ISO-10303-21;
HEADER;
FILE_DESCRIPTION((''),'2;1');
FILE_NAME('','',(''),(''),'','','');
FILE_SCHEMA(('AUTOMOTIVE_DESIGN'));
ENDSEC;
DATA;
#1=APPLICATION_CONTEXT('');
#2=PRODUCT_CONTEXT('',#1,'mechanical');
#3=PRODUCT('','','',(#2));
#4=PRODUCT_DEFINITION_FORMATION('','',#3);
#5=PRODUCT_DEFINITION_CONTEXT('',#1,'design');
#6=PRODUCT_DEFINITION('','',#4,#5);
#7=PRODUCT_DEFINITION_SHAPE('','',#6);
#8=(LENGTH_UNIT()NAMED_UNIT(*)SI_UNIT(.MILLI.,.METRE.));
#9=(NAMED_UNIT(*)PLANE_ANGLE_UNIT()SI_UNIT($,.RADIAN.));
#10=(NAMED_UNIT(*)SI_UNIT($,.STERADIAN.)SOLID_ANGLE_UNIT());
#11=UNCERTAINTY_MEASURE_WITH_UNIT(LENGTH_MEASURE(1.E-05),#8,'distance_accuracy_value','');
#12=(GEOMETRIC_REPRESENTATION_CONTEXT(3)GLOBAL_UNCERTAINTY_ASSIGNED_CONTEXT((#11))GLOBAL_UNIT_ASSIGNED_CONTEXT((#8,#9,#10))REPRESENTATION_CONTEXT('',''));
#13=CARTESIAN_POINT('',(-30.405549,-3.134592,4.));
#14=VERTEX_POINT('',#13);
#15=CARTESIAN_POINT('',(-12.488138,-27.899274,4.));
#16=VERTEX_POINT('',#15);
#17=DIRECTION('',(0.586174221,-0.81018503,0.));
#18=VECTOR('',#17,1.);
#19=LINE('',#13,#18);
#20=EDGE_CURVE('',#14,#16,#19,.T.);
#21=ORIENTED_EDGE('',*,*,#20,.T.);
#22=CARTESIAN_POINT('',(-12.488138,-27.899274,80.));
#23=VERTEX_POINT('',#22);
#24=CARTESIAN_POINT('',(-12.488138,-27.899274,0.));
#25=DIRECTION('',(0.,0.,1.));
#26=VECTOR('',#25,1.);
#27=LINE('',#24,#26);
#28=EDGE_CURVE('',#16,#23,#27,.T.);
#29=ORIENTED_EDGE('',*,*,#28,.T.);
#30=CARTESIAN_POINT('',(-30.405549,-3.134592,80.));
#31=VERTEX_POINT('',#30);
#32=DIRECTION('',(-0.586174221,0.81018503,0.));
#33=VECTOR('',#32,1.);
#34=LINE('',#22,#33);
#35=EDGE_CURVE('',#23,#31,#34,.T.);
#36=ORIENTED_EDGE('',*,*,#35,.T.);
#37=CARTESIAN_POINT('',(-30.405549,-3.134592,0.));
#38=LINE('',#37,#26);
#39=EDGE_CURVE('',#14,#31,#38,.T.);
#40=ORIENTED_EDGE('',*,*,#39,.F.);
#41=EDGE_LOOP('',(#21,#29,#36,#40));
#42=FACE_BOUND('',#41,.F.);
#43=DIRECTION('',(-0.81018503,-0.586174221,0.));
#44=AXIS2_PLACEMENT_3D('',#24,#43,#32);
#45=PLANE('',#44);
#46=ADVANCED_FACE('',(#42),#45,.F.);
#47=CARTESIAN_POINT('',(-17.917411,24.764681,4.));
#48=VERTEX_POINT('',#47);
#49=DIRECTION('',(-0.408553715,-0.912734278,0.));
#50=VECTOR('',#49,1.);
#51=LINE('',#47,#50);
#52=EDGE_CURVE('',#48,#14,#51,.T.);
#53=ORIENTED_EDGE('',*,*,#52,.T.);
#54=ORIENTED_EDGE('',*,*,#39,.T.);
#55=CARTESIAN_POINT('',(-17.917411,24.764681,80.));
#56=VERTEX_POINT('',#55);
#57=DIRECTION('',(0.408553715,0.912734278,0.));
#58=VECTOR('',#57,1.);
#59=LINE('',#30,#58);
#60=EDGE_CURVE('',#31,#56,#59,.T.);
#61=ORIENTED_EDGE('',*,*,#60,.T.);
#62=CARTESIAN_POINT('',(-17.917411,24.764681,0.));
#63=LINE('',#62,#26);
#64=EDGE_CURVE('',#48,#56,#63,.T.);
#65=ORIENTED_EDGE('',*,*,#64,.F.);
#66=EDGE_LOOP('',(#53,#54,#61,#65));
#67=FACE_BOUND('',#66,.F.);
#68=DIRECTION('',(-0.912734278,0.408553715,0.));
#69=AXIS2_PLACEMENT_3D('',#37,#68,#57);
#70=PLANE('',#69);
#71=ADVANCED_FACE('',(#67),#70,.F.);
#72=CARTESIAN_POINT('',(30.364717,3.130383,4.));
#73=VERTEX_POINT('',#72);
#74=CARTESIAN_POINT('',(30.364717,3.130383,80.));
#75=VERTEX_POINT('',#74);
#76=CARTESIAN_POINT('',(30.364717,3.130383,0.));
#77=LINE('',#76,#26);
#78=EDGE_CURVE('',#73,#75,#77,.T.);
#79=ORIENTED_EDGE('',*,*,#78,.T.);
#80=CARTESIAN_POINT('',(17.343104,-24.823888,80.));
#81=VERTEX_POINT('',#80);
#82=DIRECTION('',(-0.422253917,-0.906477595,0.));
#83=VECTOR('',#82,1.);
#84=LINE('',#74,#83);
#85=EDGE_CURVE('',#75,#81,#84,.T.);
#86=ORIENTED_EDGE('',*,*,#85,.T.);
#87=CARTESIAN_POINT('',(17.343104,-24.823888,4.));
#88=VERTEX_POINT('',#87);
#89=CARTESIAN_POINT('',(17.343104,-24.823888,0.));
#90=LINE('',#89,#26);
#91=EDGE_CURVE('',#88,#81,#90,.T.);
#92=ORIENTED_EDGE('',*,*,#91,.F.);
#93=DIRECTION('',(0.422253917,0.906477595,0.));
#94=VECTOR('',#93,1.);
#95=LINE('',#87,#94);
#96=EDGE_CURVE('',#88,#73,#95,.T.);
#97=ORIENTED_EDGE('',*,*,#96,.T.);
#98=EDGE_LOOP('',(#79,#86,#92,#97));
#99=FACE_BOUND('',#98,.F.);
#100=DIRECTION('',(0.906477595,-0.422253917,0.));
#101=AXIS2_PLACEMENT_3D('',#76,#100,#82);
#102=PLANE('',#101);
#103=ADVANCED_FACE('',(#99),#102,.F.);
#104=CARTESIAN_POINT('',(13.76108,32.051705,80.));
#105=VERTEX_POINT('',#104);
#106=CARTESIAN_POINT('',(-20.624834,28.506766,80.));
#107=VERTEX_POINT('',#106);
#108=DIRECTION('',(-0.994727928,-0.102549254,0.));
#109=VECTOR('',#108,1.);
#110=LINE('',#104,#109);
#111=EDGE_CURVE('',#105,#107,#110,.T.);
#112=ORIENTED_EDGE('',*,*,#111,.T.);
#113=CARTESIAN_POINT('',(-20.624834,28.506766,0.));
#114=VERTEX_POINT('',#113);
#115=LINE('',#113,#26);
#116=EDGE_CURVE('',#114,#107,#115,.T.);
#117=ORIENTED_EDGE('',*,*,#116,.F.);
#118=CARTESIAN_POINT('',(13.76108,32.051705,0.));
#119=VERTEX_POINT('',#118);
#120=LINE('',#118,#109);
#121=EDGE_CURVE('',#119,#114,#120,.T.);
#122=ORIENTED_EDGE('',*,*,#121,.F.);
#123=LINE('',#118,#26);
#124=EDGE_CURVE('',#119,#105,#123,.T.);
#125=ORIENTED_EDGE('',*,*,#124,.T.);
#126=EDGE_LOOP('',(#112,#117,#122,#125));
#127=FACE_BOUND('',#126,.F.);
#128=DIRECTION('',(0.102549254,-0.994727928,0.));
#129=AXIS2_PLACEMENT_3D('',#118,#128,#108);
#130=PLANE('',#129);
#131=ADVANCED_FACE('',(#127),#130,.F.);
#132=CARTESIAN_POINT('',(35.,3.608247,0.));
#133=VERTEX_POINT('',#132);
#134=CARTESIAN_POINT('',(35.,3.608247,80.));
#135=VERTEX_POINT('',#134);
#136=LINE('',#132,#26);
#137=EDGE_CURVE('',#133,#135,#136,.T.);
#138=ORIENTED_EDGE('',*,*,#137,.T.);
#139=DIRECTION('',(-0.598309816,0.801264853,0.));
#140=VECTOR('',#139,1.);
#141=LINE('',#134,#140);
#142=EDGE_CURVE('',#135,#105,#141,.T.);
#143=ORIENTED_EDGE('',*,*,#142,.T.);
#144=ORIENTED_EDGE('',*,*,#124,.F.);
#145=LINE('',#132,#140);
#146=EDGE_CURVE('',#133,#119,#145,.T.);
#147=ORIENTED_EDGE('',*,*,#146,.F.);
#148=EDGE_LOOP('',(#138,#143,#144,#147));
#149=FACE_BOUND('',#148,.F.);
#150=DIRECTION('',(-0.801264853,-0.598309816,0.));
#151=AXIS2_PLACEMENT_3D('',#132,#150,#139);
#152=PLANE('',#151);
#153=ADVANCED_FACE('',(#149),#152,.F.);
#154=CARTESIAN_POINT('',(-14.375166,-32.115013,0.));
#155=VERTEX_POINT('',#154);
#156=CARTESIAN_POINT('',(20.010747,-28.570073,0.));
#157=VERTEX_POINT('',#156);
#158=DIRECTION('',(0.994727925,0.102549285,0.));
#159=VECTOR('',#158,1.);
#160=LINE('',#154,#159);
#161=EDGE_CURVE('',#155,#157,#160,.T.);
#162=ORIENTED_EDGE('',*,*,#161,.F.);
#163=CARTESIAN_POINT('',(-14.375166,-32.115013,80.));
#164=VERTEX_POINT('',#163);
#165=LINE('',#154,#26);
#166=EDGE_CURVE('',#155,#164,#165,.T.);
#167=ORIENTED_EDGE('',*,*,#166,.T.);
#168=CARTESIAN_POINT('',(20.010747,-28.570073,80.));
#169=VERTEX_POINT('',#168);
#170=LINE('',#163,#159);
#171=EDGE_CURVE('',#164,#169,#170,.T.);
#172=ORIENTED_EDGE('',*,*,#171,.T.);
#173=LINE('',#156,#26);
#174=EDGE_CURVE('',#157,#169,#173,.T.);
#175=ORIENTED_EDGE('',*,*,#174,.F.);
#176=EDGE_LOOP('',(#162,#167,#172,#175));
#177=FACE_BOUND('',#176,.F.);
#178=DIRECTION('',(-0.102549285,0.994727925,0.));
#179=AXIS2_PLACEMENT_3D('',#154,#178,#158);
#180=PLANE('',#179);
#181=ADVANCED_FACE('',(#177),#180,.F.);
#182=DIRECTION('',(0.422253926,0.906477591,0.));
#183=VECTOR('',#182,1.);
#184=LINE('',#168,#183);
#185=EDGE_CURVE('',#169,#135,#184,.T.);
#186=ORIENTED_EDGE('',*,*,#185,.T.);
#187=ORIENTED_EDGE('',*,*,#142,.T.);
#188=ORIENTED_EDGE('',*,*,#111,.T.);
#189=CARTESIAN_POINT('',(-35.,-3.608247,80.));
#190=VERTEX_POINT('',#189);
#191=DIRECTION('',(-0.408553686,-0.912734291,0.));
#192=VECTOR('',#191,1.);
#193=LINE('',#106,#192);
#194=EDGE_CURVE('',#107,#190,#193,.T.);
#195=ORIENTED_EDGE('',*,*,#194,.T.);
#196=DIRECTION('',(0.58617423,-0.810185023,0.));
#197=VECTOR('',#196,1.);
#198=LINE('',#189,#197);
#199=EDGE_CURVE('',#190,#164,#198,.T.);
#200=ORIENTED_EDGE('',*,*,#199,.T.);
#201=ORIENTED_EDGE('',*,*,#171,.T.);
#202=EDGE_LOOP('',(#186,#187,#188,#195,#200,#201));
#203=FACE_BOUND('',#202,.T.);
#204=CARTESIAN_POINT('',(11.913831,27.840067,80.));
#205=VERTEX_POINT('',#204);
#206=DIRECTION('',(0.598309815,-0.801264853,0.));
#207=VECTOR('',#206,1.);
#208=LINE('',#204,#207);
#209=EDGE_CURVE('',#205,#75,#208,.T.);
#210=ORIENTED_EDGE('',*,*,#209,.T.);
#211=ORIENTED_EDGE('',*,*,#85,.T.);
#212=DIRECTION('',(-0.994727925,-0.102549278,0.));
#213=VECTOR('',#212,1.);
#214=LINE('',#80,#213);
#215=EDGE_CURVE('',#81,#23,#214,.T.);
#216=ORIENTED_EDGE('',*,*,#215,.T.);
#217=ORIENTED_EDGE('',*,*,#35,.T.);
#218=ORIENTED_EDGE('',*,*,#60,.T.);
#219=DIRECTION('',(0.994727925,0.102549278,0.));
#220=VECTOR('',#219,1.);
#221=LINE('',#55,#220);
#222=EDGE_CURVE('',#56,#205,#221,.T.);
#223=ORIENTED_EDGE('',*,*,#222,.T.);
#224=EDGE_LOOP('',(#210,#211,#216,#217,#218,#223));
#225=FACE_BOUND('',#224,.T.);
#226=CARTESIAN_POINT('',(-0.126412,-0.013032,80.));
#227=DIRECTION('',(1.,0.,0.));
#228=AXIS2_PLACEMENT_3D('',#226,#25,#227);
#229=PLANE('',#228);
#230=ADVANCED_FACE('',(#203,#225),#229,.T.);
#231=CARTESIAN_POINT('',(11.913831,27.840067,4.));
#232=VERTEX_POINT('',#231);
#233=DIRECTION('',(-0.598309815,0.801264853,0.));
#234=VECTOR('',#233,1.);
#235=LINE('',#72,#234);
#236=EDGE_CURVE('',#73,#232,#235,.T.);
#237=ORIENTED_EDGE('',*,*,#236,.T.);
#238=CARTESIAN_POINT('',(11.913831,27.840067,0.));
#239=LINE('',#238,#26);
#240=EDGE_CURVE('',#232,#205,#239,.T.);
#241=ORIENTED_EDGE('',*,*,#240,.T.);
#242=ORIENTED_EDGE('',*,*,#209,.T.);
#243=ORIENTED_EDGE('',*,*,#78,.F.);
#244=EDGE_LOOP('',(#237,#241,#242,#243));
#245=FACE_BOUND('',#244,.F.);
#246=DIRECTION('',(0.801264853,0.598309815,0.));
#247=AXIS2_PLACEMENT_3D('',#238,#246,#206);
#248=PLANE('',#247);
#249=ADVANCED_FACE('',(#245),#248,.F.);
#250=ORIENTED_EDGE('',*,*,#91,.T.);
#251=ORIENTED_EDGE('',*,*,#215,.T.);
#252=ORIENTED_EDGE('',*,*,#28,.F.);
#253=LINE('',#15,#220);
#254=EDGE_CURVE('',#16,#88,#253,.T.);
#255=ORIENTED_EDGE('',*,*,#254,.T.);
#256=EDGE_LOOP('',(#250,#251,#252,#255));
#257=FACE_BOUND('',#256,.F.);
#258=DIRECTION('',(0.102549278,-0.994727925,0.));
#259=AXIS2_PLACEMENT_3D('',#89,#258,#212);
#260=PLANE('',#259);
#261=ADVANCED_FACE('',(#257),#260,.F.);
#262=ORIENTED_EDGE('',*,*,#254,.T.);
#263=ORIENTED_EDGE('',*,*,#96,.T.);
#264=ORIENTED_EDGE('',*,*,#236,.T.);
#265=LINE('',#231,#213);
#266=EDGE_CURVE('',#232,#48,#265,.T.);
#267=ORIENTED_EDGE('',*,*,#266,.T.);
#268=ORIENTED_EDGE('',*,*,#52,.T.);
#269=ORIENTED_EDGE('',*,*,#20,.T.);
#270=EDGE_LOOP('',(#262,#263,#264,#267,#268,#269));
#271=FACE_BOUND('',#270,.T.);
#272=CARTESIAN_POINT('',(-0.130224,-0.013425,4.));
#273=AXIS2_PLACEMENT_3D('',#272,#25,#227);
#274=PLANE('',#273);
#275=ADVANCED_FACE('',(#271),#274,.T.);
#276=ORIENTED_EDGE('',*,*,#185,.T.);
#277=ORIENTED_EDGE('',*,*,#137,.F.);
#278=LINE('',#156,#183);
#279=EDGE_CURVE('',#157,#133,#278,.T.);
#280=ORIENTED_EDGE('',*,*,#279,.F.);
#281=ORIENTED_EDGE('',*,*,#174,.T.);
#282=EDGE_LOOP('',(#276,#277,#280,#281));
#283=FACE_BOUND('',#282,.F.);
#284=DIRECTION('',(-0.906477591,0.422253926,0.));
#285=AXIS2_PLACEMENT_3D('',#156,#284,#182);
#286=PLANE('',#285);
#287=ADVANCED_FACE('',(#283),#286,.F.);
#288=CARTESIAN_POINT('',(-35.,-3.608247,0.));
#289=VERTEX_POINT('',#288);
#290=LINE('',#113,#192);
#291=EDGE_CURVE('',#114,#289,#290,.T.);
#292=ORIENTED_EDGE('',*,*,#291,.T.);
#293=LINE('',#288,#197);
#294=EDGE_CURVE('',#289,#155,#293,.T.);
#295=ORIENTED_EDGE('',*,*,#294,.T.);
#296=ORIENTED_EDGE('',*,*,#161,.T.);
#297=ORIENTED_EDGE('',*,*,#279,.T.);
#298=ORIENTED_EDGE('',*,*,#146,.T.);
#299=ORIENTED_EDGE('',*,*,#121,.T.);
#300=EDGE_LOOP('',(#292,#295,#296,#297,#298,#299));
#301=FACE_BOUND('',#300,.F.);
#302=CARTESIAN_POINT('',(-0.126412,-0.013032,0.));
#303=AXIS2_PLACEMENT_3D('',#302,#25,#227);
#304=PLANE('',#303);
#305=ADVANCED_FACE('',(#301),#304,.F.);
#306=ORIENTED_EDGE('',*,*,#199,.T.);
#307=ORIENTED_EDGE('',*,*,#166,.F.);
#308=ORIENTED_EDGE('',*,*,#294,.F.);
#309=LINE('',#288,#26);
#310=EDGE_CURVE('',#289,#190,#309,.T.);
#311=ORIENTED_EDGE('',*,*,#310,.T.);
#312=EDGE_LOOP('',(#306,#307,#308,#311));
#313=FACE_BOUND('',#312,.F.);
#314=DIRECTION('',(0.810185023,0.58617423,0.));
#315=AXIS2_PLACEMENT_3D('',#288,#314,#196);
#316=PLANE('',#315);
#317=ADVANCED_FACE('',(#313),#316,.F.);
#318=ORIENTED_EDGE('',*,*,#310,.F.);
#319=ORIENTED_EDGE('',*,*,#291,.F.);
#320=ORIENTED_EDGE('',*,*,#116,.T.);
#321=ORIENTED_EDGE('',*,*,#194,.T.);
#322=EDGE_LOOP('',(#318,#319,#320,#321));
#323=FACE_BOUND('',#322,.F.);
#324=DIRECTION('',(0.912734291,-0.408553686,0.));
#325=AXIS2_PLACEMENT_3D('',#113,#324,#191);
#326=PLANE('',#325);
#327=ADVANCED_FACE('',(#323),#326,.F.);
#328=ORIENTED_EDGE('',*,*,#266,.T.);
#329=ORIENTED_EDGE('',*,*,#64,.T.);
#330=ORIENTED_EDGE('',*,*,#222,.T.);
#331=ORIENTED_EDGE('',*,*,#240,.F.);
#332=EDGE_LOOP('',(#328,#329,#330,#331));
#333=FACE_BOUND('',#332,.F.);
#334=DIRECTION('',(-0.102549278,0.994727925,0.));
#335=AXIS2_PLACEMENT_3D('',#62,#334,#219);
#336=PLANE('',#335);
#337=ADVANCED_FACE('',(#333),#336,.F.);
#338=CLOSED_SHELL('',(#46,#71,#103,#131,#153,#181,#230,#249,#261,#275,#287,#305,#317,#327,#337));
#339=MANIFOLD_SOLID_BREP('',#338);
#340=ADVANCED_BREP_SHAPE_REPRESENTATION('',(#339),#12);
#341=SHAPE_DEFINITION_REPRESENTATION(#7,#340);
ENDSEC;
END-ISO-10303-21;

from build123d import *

# Parameters (mm, degrees)
F1_DEPTH = 4
F2_DEPTH = 80


with BuildPart() as f1:
    # F0 (on Top) → F1 (new body)
    with BuildSketch(Plane.XY):
        Polygon((-30.405549, -3.134592), (-12.488138, -27.899274), (17.343104, -24.823888), (30.364717, 3.130383), (11.913831, 27.840067), (-17.917411, 24.764681), align=None)
    extrude(amount=F1_DEPTH)

    # F0 (on Top) → F2 (join)
    with BuildSketch(Plane.XY):
        Polygon((13.76108, 32.051705), (-20.624834, 28.506766), (-35, -3.608247), (-14.375166, -32.115013), (20.010747, -28.570073), (35, 3.608247), align=None)
        Polygon((17.343104, -24.823888), (-12.488138, -27.899274), (-30.405549, -3.134592), (-17.917411, 24.764681), (11.913831, 27.840067), (30.364717, 3.130383), align=None, mode=Mode.SUBTRACT)
    extrude(amount=F2_DEPTH)


solid = f1.part
